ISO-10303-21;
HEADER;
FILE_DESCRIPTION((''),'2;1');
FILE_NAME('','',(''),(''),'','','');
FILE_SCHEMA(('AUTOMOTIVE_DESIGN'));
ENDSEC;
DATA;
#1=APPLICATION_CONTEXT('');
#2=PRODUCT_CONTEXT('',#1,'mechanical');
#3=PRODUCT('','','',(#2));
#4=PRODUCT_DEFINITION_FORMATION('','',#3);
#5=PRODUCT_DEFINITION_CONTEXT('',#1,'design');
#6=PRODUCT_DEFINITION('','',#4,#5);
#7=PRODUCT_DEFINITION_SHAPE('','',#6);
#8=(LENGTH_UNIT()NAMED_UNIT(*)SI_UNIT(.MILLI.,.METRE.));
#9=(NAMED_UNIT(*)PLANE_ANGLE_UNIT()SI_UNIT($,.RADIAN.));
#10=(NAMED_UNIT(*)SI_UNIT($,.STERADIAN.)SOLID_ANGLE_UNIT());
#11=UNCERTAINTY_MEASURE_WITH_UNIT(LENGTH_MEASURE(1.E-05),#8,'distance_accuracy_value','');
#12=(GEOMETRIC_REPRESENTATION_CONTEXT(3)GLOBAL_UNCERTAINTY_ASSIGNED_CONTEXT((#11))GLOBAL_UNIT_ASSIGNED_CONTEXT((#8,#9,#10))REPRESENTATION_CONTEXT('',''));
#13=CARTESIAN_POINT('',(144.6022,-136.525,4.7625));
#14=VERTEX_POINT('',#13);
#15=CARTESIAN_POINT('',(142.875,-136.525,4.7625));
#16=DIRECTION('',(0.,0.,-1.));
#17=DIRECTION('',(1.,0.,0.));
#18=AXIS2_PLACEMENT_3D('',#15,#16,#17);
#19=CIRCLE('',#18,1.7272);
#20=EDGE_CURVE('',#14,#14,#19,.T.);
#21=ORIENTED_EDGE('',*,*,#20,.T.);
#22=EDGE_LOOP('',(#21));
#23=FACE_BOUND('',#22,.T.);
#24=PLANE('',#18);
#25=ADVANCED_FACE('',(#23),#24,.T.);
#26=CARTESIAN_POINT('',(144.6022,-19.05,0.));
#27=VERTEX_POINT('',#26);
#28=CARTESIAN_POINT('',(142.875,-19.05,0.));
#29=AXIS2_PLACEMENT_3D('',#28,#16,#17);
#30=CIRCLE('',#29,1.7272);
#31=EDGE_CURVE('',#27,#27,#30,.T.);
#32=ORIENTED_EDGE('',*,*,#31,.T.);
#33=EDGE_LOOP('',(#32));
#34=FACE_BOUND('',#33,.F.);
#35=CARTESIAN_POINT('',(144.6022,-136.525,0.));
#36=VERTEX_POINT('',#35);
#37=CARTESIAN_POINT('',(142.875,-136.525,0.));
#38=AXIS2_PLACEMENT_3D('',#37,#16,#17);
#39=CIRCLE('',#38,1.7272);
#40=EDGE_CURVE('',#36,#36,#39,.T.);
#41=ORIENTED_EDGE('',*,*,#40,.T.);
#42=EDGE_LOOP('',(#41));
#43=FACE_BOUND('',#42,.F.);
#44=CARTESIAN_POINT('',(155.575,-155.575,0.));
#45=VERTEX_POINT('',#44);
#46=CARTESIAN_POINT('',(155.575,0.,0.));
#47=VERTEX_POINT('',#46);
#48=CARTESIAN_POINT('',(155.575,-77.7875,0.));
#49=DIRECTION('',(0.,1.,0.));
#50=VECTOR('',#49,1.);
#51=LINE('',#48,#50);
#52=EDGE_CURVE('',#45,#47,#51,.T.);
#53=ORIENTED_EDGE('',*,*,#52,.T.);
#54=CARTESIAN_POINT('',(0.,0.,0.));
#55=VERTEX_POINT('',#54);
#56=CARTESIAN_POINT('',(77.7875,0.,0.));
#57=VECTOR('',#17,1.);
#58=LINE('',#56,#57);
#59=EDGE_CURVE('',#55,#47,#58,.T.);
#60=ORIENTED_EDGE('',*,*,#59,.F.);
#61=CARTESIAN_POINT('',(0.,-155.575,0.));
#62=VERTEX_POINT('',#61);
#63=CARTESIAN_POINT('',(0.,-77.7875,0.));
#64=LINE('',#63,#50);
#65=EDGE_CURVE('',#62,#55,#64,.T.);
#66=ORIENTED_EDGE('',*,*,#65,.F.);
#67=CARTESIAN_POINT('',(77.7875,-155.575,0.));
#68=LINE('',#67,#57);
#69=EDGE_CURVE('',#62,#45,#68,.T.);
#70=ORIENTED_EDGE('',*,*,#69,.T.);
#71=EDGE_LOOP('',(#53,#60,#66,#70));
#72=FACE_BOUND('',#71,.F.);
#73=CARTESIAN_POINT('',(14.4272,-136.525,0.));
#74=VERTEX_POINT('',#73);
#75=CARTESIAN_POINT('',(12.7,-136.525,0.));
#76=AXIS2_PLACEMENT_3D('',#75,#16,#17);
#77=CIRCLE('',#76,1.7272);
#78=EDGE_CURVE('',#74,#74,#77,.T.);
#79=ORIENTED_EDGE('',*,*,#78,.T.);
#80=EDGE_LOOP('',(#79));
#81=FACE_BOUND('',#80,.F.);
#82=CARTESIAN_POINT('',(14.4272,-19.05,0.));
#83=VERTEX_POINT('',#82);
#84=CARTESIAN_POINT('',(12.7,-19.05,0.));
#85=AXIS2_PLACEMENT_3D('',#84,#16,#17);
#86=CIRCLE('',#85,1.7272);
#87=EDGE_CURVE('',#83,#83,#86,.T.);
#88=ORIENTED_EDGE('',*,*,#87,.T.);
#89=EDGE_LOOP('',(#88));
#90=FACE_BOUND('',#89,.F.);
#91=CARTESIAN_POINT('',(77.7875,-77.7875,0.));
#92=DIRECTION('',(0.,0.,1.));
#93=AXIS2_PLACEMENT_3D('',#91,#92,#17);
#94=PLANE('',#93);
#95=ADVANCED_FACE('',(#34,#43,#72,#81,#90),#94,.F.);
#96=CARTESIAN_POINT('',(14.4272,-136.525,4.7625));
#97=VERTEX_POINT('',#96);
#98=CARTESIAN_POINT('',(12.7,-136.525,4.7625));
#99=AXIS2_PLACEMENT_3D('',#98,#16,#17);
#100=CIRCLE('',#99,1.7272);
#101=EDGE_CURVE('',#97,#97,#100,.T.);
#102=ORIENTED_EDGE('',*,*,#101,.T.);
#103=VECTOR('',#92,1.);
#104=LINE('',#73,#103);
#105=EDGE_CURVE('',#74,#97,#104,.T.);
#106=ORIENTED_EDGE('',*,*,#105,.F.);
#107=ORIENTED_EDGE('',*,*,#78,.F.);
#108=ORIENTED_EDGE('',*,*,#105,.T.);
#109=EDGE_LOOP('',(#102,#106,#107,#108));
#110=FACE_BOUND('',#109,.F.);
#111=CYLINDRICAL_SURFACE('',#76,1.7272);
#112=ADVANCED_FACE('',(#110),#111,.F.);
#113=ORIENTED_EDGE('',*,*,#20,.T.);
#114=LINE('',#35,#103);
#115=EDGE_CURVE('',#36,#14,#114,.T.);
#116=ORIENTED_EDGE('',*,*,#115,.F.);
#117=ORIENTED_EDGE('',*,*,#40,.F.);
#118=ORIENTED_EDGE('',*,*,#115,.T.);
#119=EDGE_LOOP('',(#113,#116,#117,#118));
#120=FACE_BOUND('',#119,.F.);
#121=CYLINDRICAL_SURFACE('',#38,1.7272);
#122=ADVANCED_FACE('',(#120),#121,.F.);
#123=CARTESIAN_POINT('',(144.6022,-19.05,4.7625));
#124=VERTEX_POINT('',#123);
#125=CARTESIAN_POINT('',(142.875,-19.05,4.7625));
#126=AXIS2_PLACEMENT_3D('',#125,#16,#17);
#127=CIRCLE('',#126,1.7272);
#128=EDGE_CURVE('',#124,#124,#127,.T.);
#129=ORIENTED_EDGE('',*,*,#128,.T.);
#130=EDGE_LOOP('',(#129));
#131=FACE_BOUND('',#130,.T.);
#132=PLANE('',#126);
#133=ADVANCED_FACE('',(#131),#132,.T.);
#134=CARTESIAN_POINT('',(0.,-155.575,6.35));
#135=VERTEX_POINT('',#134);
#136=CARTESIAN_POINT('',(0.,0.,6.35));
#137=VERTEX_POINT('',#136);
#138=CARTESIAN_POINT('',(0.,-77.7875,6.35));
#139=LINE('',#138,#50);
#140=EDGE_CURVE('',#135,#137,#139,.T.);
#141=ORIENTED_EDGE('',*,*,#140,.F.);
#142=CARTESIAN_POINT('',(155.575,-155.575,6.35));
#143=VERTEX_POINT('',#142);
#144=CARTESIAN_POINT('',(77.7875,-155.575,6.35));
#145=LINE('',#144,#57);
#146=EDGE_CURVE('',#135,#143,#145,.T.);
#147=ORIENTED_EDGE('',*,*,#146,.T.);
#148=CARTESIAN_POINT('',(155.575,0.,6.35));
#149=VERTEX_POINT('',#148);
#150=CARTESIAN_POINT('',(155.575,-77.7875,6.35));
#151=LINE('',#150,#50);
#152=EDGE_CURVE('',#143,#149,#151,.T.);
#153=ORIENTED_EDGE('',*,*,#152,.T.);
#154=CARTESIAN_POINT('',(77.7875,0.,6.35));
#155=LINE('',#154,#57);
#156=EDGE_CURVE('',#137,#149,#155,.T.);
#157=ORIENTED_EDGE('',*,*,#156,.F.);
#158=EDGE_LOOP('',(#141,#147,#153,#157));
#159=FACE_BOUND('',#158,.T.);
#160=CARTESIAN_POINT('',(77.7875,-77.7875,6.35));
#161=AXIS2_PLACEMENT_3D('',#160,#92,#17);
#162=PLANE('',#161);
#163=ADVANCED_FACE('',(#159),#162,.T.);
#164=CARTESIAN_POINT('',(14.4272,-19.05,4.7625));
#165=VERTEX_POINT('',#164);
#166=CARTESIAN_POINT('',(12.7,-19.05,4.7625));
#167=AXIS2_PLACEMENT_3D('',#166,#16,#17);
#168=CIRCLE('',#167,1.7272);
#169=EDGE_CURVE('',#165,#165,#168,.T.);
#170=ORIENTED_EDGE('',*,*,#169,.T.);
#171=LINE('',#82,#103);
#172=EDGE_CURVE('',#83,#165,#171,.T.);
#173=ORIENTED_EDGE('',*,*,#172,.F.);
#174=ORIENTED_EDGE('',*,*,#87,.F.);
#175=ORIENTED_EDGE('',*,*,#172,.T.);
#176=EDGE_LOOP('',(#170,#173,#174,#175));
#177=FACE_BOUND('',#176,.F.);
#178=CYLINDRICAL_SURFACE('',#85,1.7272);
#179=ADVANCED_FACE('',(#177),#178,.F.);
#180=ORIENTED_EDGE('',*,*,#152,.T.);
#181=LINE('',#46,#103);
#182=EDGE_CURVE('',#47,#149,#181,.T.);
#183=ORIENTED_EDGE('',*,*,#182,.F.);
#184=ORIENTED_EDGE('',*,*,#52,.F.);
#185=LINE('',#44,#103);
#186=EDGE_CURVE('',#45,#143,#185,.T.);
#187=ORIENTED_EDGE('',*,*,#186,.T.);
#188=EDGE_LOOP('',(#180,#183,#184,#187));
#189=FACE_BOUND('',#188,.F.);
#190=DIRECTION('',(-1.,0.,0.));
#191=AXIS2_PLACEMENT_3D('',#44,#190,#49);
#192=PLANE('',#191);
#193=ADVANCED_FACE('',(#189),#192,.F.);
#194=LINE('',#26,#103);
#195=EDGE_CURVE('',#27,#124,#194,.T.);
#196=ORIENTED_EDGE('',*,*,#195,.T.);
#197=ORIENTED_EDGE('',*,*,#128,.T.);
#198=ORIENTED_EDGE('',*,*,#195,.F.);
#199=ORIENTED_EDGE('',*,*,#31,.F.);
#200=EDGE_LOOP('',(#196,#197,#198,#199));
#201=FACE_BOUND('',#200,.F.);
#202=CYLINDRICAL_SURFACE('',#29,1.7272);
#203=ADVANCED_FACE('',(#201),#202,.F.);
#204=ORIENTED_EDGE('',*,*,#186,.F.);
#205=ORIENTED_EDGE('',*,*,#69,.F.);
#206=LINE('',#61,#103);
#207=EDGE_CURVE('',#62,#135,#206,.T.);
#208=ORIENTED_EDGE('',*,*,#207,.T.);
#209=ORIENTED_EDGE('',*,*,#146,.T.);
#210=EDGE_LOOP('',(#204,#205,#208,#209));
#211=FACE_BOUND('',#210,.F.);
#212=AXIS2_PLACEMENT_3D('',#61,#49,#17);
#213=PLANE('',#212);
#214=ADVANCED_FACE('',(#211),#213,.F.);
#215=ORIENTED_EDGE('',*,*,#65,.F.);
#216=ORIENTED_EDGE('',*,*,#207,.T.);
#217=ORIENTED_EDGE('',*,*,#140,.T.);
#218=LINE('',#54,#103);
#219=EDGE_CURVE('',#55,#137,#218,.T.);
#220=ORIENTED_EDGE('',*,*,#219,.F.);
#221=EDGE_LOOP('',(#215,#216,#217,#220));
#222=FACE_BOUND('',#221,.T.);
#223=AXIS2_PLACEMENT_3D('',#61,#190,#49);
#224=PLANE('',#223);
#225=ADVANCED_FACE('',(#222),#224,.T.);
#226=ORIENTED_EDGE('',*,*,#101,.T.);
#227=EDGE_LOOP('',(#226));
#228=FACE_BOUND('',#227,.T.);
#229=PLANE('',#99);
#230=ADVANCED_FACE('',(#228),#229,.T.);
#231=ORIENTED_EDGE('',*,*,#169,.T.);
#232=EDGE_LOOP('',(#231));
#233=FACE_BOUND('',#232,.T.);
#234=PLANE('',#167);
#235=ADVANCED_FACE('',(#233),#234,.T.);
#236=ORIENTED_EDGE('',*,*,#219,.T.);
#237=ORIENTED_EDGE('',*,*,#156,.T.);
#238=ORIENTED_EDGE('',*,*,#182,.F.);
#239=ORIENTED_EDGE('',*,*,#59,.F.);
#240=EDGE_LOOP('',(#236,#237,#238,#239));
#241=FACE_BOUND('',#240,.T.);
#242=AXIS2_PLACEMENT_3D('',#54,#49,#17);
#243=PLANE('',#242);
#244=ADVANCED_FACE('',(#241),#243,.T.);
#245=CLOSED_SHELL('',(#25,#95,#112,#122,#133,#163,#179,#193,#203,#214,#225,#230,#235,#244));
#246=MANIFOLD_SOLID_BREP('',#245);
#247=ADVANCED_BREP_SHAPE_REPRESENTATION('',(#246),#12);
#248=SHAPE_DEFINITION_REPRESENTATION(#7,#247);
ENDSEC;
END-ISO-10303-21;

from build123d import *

# Parameters (mm, degrees)
F0_W     = 155.575
F0_H     = 155.575
F1_DEPTH = 6.35
F2_R     = 1.7272
F3_DEPTH = 4.7625


with BuildPart() as f1:
    # F0 (on Top) → F1 (new body)
    with BuildSketch(Plane.XY):
        with Locations((77.7875, -77.7875)):
            Rectangle(F0_W, F0_H)
    extrude(amount=F1_DEPTH)

    # F2 (on face) → F3 (cut)
    with BuildSketch(Plane(origin=(0, 0, 0), x_dir=(1, 0, 0), z_dir=(0, 0, -1))):
        with Locations((142.875, 136.525)):
            Circle(F2_R)
        with Locations((142.875, 19.05)):
            Circle(F2_R)
        with Locations((12.7, 19.05)):
            Circle(F2_R)
        with Locations((12.7, 136.525)):
            Circle(F2_R)
    extrude(amount=-F3_DEPTH, mode=Mode.SUBTRACT)


solid = f1.part
